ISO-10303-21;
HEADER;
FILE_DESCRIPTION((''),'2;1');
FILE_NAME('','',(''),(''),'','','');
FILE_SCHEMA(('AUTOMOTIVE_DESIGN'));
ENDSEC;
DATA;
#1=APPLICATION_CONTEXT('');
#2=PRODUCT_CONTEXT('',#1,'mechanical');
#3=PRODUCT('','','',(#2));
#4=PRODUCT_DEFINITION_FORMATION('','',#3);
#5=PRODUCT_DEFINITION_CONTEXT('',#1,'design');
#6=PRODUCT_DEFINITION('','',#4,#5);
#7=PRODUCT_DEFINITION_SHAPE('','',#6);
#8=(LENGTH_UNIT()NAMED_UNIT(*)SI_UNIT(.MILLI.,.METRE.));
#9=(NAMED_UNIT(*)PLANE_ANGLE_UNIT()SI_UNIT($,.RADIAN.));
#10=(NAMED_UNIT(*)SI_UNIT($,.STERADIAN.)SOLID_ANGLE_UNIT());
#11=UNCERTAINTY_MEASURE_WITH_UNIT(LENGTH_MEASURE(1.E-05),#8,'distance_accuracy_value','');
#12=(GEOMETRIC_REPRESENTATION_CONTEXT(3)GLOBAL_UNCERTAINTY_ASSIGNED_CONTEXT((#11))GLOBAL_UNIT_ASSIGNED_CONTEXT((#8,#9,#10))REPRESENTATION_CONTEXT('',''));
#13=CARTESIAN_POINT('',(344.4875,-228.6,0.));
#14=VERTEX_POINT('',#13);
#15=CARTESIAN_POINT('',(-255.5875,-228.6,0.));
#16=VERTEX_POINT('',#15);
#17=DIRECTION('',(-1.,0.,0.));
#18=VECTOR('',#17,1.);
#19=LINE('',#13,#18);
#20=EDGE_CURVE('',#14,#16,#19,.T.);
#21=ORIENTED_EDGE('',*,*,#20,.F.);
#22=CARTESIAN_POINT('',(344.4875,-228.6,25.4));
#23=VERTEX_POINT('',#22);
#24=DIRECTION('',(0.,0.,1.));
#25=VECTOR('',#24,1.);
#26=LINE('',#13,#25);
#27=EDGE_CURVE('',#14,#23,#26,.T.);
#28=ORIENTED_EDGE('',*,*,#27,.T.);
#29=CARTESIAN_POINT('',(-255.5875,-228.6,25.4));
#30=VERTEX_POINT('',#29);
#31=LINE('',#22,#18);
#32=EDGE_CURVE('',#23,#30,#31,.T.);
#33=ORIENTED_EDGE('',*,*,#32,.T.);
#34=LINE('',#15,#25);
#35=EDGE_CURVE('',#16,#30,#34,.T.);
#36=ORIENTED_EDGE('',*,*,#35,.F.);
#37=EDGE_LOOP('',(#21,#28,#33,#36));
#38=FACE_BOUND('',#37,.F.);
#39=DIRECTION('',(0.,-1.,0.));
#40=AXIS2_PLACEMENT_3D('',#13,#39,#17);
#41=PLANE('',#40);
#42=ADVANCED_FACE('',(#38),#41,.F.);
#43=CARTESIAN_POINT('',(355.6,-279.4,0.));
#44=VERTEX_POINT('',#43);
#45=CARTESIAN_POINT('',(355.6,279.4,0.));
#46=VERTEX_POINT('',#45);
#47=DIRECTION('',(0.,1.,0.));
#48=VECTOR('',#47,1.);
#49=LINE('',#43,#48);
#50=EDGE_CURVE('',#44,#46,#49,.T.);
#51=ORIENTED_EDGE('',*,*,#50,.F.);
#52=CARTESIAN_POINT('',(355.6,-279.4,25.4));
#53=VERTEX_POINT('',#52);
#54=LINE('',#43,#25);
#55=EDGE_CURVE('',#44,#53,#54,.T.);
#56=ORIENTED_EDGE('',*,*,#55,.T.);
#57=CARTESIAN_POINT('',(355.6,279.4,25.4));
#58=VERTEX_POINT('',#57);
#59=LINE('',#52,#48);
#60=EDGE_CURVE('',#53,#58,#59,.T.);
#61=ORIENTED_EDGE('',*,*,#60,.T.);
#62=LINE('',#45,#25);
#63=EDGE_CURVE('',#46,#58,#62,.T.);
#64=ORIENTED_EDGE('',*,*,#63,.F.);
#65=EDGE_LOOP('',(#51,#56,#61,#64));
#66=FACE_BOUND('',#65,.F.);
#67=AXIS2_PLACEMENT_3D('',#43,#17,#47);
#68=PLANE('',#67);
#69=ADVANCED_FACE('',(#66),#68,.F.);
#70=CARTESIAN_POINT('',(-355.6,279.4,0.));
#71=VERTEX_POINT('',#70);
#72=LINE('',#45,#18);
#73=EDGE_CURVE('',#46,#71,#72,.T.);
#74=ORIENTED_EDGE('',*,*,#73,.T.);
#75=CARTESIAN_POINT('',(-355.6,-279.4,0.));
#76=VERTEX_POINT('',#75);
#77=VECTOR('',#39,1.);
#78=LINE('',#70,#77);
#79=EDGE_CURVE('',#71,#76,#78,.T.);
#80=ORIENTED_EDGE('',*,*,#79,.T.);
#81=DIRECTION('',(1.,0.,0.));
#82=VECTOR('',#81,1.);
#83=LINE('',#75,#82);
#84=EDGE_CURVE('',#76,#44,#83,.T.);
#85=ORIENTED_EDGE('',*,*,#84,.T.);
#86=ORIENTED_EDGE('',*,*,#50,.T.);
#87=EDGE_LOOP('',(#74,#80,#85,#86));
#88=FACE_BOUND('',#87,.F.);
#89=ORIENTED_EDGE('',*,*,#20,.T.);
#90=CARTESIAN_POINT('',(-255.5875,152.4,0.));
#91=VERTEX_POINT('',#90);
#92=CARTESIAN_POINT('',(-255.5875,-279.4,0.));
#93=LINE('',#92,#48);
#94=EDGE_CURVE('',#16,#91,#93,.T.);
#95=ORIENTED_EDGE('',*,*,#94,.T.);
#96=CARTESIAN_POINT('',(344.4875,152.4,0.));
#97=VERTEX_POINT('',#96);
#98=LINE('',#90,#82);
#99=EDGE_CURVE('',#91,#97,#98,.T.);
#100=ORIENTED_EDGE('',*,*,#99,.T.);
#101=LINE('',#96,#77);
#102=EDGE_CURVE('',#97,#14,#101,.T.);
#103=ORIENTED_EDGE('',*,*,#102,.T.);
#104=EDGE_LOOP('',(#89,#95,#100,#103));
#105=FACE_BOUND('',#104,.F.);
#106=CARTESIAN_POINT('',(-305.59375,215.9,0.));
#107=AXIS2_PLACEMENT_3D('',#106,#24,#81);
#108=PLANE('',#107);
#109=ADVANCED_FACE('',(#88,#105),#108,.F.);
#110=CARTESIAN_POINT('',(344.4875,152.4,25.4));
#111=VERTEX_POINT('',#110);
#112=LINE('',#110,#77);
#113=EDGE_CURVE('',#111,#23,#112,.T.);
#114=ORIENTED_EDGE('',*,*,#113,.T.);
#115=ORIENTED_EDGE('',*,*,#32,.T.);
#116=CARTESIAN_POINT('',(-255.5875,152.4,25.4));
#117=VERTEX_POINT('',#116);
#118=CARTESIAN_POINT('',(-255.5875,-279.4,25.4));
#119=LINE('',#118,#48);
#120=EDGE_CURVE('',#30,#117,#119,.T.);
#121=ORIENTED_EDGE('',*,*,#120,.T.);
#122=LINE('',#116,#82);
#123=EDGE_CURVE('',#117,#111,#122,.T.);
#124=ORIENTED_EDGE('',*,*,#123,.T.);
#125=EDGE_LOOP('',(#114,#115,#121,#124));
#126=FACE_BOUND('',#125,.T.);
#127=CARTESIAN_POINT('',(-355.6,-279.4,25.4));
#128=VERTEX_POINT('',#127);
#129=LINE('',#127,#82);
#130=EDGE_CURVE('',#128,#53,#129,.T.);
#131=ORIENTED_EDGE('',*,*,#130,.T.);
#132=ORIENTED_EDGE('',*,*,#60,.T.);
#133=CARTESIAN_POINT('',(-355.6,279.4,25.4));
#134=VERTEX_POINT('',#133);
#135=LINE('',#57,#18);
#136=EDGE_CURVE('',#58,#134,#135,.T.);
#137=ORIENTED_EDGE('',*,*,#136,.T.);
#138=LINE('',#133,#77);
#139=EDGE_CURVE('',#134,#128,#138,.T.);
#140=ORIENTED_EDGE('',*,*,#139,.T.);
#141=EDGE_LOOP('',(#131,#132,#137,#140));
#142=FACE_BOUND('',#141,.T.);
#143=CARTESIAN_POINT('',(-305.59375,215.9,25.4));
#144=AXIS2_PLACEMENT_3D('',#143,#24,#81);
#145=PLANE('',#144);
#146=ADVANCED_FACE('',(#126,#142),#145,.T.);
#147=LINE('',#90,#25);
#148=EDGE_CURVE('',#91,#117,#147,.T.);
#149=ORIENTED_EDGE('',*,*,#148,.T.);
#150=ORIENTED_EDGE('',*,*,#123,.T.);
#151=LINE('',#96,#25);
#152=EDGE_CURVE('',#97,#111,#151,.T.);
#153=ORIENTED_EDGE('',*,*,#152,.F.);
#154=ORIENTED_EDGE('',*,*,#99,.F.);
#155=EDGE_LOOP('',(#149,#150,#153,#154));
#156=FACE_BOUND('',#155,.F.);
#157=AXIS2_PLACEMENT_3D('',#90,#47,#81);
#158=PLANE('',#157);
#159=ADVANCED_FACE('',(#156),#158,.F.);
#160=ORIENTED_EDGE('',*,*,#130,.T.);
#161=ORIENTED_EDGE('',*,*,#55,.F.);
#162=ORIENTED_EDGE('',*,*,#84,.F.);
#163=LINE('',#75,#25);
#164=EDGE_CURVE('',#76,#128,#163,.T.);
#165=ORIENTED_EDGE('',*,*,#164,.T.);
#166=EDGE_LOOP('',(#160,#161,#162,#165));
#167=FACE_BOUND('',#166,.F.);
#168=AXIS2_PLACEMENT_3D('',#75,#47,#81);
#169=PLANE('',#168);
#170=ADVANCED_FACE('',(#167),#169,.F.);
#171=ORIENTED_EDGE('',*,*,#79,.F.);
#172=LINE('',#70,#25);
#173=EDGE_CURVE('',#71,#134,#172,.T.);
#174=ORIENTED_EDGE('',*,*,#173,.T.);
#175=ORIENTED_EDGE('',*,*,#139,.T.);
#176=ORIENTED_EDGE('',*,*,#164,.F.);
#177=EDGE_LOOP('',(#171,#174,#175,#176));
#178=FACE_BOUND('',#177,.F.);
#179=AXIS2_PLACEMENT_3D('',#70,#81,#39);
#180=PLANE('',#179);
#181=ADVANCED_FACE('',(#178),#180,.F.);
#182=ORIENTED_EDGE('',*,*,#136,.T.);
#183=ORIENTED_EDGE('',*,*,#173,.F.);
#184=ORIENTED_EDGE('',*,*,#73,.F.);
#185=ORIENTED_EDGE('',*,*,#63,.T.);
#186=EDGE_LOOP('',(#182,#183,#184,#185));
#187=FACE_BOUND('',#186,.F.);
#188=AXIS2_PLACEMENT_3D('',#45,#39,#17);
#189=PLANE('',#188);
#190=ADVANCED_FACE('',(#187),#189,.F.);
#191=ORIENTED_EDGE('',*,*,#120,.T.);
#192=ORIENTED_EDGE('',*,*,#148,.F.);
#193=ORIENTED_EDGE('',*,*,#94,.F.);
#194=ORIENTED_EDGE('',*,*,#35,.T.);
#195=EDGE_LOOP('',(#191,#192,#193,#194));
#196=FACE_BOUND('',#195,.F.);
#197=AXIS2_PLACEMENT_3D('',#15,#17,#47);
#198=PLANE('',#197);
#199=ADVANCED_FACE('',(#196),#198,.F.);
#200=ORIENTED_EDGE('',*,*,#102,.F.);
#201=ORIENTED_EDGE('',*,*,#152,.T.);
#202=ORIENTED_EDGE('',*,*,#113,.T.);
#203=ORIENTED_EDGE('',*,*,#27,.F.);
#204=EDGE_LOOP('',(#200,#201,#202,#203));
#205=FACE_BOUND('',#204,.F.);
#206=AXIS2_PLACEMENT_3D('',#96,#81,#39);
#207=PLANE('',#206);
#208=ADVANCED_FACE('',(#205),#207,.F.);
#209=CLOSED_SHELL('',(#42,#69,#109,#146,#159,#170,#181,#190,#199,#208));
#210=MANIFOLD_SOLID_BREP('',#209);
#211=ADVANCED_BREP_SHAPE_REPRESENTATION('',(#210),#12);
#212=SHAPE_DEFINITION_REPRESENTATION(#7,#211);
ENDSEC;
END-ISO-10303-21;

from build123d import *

# Parameters (mm, degrees)
F0_W     = 100.0125
F0_H     = 127
F0_H_2   = 50.8
F0_W_2   = 11.1125
F1_DEPTH = 25.4


with BuildPart() as f1:
    # F0 (on Top) → F1 (new body)
    with BuildSketch(Plane.XY):
        with Locations((-305.59375, 215.9)):
            Rectangle(F0_W, F0_H)
        with Locations((-205.58125, 215.9)):
            Rectangle(F0_W, F0_H)
        with Locations((-305.59375, 88.9)):
            Rectangle(F0_W, F0_H)
        with Locations((-105.56875, 215.9)):
            Rectangle(F0_W, F0_H)
        with Locations((-305.59375, -38.1)):
            Rectangle(F0_W, F0_H)
        with Locations((-5.55625, 215.9)):
            Rectangle(F0_W, F0_H)
        with Locations((-305.59375, -165.1)):
            Rectangle(F0_W, F0_H)
        with Locations((94.45625, 215.9)):
            Rectangle(F0_W, F0_H)
        with Locations((-305.59375, -254)):
            Rectangle(F0_W, F0_H_2)
        with Locations((194.46875, 215.9)):
            Rectangle(F0_W, F0_H)
        with Locations((-205.58125, -254)):
            Rectangle(F0_W, F0_H_2)
        with Locations((294.48125, 215.9)):
            Rectangle(F0_W, F0_H)
        with Locations((-105.56875, -254)):
            Rectangle(F0_W, F0_H_2)
        with Locations((350.04375, 215.9)):
            Rectangle(F0_W_2, F0_H)
        with Locations((-5.55625, -254)):
            Rectangle(F0_W, F0_H_2)
        with Locations((350.04375, 88.9)):
            Rectangle(F0_W_2, F0_H)
        with Locations((94.45625, -254)):
            Rectangle(F0_W, F0_H_2)
        with Locations((350.04375, -38.1)):
            Rectangle(F0_W_2, F0_H)
        with Locations((194.46875, -254)):
            Rectangle(F0_W, F0_H_2)
        with Locations((350.04375, -165.1)):
            Rectangle(F0_W_2, F0_H)
        with Locations((294.48125, -254)):
            Rectangle(F0_W, F0_H_2)
        with Locations((350.04375, -254)):
            Rectangle(F0_W_2, F0_H_2)
    extrude(amount=F1_DEPTH)


solid = f1.part
